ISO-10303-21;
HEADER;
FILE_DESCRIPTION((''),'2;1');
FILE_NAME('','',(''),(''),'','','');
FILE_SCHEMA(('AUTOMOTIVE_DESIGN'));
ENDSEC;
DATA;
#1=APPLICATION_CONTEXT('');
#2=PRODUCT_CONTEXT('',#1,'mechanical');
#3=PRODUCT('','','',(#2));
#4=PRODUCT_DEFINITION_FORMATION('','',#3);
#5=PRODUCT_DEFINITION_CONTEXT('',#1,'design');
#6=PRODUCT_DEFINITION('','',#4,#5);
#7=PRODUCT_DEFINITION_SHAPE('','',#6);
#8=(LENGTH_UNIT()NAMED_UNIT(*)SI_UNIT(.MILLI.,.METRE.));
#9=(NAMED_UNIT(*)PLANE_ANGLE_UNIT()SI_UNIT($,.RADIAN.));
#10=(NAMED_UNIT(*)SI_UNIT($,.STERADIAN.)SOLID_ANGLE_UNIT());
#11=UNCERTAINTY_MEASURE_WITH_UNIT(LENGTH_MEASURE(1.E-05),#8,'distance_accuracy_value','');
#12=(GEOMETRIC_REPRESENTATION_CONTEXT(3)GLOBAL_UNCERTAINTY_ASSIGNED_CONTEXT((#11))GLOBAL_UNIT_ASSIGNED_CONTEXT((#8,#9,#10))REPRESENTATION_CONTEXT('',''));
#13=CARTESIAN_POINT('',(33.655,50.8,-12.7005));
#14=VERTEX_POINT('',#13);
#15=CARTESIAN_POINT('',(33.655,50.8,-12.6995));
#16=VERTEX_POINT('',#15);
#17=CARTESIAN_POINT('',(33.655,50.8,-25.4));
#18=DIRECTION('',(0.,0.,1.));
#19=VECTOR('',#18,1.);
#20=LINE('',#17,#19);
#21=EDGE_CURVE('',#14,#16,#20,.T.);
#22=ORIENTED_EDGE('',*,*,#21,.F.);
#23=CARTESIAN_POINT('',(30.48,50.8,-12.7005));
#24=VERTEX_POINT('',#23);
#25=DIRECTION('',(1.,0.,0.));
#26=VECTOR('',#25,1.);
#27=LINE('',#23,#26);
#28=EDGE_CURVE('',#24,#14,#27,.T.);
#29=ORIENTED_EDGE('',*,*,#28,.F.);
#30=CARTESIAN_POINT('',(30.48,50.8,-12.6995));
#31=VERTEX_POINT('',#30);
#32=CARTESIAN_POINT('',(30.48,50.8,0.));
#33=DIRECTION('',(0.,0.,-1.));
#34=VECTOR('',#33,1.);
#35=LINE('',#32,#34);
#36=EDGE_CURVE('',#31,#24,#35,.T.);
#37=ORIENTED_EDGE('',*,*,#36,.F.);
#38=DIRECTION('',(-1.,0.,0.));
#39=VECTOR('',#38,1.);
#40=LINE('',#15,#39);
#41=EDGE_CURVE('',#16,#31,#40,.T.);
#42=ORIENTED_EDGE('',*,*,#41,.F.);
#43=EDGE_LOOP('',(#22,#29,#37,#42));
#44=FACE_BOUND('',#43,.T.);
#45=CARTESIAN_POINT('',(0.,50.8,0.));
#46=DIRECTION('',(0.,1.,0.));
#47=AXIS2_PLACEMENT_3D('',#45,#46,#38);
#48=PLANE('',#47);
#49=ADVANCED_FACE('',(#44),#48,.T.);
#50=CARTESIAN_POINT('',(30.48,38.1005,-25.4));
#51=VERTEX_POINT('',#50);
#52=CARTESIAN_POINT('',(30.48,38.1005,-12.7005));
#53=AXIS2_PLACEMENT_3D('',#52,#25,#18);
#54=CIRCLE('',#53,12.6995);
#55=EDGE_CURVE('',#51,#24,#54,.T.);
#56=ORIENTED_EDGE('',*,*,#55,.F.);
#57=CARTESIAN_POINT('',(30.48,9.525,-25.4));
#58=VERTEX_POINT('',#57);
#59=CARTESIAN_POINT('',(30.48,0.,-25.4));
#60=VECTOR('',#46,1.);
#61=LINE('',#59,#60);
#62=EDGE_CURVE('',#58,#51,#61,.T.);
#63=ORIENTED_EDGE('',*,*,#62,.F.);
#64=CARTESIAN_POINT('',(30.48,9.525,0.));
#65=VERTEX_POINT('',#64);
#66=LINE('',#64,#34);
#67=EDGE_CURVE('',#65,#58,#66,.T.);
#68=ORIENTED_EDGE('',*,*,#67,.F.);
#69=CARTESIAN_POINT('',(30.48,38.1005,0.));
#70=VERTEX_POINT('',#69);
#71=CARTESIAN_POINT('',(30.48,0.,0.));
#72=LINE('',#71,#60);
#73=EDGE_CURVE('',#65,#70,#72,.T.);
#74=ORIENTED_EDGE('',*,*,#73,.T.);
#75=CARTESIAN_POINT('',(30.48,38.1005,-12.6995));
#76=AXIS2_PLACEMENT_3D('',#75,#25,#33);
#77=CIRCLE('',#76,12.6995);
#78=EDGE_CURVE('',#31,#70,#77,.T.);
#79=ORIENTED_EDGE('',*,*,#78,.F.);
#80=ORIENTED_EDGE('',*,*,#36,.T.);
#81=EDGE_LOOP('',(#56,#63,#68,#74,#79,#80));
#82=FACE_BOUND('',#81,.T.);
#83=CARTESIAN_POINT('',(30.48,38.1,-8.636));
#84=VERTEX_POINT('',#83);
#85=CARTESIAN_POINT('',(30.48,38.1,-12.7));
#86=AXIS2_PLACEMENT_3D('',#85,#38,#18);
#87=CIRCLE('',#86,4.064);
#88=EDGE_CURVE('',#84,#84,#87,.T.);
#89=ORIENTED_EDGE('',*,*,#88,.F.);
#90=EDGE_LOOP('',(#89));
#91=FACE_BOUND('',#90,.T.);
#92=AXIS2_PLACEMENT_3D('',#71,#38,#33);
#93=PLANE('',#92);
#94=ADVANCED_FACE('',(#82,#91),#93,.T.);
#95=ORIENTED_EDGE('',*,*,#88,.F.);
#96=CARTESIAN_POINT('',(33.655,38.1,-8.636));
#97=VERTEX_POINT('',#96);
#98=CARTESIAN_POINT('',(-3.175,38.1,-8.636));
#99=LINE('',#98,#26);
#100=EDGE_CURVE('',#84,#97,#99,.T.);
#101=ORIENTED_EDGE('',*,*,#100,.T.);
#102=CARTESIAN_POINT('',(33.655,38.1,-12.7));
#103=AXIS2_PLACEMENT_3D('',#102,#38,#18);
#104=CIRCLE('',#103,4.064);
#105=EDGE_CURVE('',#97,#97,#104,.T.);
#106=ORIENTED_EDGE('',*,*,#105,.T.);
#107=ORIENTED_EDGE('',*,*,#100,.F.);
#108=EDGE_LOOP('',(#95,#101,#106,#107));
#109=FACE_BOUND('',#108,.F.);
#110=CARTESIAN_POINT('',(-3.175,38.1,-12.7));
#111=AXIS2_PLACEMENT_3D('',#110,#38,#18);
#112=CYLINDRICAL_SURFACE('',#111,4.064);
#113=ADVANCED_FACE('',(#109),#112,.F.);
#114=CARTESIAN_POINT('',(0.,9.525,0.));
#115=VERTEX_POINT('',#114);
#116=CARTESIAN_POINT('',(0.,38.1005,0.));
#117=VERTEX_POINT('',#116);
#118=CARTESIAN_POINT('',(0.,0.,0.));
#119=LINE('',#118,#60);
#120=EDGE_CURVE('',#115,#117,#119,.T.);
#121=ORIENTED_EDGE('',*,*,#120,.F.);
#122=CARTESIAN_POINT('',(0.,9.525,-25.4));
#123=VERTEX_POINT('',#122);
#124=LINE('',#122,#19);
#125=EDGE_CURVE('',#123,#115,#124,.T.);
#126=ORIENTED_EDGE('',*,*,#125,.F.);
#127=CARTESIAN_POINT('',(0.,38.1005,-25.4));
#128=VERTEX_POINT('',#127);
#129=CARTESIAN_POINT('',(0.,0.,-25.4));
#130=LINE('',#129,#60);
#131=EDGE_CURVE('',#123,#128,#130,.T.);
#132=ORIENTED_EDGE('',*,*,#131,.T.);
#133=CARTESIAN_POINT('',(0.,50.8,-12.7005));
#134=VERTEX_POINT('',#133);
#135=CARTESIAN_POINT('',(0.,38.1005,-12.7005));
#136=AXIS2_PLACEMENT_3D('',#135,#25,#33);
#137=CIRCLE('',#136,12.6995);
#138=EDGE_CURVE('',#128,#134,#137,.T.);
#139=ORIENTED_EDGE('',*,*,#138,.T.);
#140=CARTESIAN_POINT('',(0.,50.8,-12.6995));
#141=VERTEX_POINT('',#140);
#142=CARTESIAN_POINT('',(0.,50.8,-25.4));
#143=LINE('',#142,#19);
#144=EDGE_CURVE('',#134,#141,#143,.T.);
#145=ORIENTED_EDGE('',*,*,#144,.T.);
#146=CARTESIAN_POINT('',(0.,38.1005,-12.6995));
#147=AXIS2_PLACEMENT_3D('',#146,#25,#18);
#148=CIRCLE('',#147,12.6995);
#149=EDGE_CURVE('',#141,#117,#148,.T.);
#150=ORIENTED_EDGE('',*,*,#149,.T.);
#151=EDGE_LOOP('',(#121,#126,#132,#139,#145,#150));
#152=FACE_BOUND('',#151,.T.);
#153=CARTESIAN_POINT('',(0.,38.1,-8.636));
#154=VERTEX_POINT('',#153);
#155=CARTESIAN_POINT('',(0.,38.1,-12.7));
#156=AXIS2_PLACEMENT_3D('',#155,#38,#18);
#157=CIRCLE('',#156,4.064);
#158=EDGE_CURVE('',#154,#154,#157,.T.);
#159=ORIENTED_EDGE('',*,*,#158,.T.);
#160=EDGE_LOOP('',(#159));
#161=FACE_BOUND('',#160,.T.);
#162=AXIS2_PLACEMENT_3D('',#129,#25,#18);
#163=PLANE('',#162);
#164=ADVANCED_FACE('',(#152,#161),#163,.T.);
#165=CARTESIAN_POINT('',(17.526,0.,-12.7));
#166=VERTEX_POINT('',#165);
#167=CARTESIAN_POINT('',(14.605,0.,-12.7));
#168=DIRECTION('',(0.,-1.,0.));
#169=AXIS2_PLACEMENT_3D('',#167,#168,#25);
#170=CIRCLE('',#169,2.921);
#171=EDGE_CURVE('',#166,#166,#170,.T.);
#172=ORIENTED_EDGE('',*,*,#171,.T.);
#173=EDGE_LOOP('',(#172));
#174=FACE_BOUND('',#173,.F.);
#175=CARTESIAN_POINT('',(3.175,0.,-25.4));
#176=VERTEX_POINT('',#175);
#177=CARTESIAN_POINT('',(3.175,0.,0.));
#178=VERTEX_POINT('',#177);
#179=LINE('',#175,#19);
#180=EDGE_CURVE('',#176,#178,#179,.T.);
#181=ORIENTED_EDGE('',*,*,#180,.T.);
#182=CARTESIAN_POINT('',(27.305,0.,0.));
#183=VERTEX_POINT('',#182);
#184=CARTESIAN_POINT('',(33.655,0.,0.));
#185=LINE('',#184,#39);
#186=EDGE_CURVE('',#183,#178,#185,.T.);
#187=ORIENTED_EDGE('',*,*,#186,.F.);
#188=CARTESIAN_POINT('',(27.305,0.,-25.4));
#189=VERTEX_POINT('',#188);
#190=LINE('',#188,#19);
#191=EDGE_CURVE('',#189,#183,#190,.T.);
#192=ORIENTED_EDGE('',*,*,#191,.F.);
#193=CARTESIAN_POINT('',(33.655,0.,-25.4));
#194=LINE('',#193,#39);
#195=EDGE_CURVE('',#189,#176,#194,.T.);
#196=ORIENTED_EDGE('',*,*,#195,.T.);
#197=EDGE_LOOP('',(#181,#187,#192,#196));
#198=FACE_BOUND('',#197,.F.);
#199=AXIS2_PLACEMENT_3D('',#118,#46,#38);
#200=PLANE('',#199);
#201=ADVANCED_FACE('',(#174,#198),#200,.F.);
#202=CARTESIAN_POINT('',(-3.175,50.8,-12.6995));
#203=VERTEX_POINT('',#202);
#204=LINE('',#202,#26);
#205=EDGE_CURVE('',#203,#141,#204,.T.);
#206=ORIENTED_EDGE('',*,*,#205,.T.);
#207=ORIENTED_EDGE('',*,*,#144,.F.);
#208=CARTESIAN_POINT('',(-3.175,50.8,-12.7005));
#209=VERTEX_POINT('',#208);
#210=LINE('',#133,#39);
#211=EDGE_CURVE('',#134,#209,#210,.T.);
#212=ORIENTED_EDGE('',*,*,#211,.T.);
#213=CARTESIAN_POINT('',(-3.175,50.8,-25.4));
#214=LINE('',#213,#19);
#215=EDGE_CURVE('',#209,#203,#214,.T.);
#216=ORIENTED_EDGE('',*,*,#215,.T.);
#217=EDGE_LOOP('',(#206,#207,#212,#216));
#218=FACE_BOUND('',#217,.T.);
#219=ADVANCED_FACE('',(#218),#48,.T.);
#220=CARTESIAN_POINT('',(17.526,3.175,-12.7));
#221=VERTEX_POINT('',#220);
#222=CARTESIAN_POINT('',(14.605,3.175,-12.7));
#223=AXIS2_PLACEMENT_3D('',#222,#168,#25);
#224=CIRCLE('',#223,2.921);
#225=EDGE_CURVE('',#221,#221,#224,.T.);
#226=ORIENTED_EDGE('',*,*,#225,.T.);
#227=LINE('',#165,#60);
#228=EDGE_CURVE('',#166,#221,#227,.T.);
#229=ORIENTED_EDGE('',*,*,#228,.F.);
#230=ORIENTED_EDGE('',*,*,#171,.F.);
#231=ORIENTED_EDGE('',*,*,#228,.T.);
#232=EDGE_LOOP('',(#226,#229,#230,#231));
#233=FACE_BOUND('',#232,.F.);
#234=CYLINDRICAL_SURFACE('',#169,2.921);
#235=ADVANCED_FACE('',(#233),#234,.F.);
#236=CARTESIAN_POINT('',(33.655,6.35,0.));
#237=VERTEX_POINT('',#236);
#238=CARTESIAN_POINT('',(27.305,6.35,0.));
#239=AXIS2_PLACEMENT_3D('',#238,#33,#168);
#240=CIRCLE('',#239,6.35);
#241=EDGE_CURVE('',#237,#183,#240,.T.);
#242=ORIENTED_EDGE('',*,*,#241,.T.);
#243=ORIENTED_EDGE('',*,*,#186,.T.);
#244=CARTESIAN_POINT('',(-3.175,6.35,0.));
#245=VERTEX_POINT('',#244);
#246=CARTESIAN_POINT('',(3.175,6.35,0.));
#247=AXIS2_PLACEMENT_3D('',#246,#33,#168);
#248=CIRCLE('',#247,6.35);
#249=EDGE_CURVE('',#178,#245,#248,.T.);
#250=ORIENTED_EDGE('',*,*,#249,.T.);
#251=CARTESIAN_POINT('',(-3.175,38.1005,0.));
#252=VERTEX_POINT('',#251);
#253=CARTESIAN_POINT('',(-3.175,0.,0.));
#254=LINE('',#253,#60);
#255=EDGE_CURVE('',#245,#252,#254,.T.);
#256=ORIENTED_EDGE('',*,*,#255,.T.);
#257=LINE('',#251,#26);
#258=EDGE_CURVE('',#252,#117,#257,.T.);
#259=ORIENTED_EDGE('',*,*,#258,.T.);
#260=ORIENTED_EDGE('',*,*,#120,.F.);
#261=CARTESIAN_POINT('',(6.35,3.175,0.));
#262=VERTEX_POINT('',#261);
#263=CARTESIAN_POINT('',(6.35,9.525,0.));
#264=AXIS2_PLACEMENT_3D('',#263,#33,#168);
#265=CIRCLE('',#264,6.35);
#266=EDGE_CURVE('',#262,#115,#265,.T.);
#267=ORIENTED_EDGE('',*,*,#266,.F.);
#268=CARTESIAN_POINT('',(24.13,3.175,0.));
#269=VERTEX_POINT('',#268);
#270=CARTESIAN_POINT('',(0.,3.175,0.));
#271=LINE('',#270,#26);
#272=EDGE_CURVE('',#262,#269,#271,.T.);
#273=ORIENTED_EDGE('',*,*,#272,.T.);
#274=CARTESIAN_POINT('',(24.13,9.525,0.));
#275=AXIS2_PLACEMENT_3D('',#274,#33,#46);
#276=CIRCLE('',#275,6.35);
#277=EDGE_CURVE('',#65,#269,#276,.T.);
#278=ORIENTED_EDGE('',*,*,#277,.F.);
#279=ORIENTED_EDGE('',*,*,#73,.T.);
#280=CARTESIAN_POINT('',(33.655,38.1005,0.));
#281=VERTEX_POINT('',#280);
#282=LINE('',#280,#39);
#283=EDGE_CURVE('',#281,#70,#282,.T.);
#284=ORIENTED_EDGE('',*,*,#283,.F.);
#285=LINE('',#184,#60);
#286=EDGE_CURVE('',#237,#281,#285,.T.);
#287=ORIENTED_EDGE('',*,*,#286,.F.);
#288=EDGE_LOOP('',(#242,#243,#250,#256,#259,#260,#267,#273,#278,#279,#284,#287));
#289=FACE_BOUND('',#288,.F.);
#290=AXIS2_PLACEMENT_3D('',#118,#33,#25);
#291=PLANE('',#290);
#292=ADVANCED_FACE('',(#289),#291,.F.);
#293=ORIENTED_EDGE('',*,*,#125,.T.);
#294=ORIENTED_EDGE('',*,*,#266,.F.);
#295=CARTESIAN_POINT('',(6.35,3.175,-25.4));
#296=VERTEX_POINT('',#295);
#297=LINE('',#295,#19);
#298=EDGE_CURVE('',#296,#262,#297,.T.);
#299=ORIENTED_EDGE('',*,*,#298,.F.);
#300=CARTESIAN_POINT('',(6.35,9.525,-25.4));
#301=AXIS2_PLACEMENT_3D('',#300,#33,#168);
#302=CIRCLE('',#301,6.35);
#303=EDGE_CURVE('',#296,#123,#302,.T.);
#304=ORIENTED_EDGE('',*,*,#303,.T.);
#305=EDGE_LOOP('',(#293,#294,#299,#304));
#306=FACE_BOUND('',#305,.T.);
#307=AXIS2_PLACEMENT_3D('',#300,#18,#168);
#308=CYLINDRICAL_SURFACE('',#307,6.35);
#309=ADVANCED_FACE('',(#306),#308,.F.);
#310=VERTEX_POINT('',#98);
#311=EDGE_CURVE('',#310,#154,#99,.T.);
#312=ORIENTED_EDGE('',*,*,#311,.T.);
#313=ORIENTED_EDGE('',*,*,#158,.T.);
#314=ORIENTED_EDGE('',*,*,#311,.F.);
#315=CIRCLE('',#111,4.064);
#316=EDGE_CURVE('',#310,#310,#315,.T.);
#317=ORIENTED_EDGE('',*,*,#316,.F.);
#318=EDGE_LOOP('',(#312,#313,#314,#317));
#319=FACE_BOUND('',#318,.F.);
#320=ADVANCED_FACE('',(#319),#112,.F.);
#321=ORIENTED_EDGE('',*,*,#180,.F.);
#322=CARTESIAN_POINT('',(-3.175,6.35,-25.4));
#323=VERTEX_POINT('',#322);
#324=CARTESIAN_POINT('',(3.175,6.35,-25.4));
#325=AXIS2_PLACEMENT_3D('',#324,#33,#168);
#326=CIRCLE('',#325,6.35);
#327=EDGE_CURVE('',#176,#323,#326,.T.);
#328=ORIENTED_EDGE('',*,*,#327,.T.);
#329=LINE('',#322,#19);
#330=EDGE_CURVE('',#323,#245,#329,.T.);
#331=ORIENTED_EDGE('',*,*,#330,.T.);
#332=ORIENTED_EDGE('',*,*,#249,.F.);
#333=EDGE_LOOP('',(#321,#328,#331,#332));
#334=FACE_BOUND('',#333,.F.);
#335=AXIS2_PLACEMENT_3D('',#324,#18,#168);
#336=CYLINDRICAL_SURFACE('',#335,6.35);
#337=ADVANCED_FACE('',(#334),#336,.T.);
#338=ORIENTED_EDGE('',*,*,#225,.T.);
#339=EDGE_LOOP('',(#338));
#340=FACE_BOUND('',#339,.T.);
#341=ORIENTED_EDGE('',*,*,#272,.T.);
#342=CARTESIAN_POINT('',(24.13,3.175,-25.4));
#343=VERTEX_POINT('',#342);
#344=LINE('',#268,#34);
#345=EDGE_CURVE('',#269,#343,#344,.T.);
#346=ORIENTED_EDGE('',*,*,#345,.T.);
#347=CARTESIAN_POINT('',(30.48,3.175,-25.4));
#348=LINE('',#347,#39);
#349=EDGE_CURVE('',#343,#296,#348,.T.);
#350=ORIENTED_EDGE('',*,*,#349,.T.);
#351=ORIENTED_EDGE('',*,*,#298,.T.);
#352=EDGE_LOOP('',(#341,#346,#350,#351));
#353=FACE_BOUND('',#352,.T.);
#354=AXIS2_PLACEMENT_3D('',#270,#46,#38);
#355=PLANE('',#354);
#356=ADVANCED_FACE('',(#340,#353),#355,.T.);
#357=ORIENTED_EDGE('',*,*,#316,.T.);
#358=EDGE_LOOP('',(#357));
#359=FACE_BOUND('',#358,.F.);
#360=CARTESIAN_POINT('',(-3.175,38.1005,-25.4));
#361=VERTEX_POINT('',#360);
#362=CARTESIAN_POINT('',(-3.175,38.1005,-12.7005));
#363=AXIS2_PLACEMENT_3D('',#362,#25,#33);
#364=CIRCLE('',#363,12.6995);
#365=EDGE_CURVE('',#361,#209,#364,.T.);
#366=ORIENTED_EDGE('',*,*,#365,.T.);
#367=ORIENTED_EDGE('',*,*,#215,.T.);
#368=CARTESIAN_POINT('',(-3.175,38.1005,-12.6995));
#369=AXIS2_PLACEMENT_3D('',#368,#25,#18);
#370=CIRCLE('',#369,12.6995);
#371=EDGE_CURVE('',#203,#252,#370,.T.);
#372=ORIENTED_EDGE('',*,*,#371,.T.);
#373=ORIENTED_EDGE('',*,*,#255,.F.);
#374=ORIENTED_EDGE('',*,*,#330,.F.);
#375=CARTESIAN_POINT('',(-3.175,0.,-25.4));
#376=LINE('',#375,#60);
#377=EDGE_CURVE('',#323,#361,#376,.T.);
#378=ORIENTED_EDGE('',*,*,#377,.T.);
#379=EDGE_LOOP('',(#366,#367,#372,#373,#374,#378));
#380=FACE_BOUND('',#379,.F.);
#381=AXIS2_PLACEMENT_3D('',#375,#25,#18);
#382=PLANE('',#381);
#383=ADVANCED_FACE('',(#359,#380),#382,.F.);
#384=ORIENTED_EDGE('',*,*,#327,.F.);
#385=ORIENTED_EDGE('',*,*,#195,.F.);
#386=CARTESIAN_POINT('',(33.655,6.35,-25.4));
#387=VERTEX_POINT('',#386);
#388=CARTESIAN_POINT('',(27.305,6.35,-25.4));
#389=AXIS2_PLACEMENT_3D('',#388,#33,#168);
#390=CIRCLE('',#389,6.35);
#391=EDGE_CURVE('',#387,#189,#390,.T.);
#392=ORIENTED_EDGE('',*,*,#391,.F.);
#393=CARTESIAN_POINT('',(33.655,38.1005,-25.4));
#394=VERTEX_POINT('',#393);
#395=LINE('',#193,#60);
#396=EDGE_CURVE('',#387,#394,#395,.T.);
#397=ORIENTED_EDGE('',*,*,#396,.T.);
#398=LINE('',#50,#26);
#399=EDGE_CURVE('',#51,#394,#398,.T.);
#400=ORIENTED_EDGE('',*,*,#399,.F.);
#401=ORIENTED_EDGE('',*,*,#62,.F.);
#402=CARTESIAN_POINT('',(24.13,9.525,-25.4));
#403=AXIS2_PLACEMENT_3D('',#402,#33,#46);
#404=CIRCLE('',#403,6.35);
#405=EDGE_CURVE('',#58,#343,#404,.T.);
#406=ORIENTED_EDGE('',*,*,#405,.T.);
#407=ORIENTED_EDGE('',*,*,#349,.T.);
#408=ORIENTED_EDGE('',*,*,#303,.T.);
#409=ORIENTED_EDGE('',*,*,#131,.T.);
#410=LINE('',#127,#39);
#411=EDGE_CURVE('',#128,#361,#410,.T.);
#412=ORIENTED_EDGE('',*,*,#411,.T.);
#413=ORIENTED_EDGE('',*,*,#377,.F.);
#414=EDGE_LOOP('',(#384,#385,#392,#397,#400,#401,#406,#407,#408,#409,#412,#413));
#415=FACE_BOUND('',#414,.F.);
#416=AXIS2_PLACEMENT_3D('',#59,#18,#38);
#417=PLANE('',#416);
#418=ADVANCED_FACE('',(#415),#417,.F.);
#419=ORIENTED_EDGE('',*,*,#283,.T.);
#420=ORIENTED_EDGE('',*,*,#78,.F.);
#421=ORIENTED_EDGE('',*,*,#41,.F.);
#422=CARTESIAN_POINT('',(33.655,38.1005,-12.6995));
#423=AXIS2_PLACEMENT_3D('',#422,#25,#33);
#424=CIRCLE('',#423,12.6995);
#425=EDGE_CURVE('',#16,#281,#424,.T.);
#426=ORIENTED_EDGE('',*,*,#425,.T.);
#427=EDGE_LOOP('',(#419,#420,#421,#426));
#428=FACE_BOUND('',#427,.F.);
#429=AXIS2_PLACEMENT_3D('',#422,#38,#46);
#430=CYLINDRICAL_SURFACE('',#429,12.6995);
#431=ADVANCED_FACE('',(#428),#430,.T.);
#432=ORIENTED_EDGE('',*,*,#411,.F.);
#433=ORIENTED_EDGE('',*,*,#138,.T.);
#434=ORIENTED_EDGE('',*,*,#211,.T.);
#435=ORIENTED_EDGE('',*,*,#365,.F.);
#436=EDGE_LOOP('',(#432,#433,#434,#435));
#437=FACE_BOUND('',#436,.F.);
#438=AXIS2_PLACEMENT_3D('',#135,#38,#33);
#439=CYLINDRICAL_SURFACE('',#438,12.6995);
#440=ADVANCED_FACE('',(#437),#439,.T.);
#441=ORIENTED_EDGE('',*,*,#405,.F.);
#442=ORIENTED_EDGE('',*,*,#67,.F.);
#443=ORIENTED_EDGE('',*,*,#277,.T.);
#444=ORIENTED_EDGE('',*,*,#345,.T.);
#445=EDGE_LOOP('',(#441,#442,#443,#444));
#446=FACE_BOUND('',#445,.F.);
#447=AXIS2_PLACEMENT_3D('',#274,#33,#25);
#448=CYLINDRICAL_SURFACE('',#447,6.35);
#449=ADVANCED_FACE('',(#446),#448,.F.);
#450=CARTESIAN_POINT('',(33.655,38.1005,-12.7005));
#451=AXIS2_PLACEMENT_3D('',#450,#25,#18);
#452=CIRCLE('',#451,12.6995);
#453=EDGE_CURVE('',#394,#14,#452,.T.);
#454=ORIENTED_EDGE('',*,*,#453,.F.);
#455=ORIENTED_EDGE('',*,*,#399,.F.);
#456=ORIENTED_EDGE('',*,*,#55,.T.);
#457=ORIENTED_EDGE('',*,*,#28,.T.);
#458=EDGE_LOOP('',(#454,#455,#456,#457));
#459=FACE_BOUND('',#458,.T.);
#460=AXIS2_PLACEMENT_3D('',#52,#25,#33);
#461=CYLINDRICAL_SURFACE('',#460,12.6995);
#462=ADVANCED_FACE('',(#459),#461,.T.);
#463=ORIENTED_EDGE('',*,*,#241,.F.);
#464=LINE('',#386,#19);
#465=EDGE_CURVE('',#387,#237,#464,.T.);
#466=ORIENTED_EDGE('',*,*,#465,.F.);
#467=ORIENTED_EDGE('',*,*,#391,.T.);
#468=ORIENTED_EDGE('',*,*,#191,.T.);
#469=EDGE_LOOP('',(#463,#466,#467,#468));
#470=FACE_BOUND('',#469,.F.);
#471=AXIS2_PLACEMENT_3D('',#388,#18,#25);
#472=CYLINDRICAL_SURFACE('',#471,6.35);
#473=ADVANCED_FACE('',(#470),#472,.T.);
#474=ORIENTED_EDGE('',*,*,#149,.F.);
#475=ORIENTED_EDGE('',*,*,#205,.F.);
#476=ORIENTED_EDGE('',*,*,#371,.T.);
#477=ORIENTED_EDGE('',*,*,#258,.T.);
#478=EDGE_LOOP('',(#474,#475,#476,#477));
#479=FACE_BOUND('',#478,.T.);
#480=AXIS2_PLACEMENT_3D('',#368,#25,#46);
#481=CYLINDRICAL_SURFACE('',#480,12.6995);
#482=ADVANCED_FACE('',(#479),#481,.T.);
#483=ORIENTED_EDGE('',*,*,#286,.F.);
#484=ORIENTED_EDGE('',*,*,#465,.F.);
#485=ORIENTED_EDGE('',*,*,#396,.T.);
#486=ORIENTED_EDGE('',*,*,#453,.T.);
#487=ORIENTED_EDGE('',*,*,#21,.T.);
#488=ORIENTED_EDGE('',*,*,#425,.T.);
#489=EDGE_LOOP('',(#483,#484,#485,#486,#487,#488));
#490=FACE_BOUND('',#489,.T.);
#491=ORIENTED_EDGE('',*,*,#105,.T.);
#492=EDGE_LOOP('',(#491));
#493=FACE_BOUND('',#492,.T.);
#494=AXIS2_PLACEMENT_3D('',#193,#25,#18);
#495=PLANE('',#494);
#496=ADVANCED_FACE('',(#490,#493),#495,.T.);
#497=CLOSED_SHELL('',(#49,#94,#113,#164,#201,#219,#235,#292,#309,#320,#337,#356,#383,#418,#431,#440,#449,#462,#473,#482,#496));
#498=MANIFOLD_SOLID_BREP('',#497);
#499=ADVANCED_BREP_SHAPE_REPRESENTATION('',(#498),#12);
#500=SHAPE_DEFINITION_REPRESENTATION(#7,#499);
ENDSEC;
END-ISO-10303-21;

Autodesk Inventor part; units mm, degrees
ref_plane "YZ Plane" through (0, 0, 0) normal (1, 0, 0) x (0, 1, 0)
ref_plane "XZ Plane" through (0, 0, 0) normal (0, 1, 0) x (-1, 0, 0)
ref_plane "XY Plane" through (0, 0, 0) normal (0, 0, 1) x (1, 0, 0)
sketch "Sketch1" plane through (0, 0, 0) normal (0, 1, 0) x (-1, 0, 0)
  line L0 (0, 0) -> (-30.48, 0)
  line L1 (-30.48, 0) -> (-30.48, -25.4)
  line L2 (-30.48, -25.4) -> (0, -25.4)
  line L3 (0, -25.4) -> (0, 0)
  line L4 (0, -25.4) -> (3.175, -25.4)
  line L5 (3.175, -25.4) -> (3.175, 0)
  line L6 (3.175, 0) -> (0, 0)
  line L7 (0, 0) -> (0, -25.4)
  line L8 (-30.48, -25.4) -> (-33.655, -25.4)
  line L9 (-33.655, -25.4) -> (-33.655, 0)
  line L10 (-33.655, 0) -> (-30.48, 0)
  line L11 (-30.48, 0) -> (-30.48, -25.4)
  dimension "d0" = 30.48
  dimension "d1" = 25.4
  dimension "d2" = 3.175
  dimension "d3" = 3.175
extrude "Extrusion1" add sketch "Sketch1" along normal blind 3.175 contours L3 L2 L1 L0
extrude "Extrusion2" add sketch "Sketch1" along normal blind 50.8 contours L6 L5 L4 L3 | L1 L8 L9 L10
sketch "Sketch2" plane through (-3.175, 0, -25.4) normal (-1, 0, 0) x (0, 0, 1)
  circle A0 centre (12.7, 38.1) radius 4.064
  line L0 (0, 50.8) -> (25.4, 50.8) projected
  line L1 (12.7, 38.1) -> (0, 38.1) construction
  line L2 (12.7, 38.1) -> (25.4, 38.1) construction
  point P0 (25.4, 0)
  dimension "d8" = 8.128
  dimension "d9" = 12.7
extrude "Extrusion3" cut sketch "Sketch2" against normal through all
fillet "Fillet1" radius 12.7 4 edges at (-1.5875, 50.8, 0) (32.0675, 50.8, 0) (32.0675, 50.8, -25.4) (-1.5875, 50.8, -25.4)
fillet "Fillet2" radius 6.35 4 edges at (-3.175, 0, -12.7) (0, 3.175, -12.7) (30.48, 3.175, -12.7) (33.655, 0, -12.7)
sketch "Sketch3" plane through (0, 0, 0) normal (0, -1, 0) x (1, 0, 0)
  circle A0 centre (14.605, -12.7) radius 2.921
  line L0 (14.605, -12.7) -> (1.905, -12.7) construction
  line L1 (27.305, 0) -> (27.305, -25.4) construction
  line L2 (3.175, 0) -> (27.305, 0) construction
  line L3 (3.175, -25.4) -> (3.175, 0) construction
  line L4 (27.305, -25.4) -> (3.175, -25.4) construction
  line L5 (14.605, -12.7) -> (27.305, -12.7) construction
  line L6 (14.605, -12.7) -> (14.605, 0) construction
  line L7 (14.605, -12.7) -> (14.605, -25.4) construction
  point P0 (0, 0)
  dimension "d14" = 5.842
extrude "Extrusion4" cut sketch "Sketch3" against normal through all
properties part number "MainMount" material "ABS Plastic"
